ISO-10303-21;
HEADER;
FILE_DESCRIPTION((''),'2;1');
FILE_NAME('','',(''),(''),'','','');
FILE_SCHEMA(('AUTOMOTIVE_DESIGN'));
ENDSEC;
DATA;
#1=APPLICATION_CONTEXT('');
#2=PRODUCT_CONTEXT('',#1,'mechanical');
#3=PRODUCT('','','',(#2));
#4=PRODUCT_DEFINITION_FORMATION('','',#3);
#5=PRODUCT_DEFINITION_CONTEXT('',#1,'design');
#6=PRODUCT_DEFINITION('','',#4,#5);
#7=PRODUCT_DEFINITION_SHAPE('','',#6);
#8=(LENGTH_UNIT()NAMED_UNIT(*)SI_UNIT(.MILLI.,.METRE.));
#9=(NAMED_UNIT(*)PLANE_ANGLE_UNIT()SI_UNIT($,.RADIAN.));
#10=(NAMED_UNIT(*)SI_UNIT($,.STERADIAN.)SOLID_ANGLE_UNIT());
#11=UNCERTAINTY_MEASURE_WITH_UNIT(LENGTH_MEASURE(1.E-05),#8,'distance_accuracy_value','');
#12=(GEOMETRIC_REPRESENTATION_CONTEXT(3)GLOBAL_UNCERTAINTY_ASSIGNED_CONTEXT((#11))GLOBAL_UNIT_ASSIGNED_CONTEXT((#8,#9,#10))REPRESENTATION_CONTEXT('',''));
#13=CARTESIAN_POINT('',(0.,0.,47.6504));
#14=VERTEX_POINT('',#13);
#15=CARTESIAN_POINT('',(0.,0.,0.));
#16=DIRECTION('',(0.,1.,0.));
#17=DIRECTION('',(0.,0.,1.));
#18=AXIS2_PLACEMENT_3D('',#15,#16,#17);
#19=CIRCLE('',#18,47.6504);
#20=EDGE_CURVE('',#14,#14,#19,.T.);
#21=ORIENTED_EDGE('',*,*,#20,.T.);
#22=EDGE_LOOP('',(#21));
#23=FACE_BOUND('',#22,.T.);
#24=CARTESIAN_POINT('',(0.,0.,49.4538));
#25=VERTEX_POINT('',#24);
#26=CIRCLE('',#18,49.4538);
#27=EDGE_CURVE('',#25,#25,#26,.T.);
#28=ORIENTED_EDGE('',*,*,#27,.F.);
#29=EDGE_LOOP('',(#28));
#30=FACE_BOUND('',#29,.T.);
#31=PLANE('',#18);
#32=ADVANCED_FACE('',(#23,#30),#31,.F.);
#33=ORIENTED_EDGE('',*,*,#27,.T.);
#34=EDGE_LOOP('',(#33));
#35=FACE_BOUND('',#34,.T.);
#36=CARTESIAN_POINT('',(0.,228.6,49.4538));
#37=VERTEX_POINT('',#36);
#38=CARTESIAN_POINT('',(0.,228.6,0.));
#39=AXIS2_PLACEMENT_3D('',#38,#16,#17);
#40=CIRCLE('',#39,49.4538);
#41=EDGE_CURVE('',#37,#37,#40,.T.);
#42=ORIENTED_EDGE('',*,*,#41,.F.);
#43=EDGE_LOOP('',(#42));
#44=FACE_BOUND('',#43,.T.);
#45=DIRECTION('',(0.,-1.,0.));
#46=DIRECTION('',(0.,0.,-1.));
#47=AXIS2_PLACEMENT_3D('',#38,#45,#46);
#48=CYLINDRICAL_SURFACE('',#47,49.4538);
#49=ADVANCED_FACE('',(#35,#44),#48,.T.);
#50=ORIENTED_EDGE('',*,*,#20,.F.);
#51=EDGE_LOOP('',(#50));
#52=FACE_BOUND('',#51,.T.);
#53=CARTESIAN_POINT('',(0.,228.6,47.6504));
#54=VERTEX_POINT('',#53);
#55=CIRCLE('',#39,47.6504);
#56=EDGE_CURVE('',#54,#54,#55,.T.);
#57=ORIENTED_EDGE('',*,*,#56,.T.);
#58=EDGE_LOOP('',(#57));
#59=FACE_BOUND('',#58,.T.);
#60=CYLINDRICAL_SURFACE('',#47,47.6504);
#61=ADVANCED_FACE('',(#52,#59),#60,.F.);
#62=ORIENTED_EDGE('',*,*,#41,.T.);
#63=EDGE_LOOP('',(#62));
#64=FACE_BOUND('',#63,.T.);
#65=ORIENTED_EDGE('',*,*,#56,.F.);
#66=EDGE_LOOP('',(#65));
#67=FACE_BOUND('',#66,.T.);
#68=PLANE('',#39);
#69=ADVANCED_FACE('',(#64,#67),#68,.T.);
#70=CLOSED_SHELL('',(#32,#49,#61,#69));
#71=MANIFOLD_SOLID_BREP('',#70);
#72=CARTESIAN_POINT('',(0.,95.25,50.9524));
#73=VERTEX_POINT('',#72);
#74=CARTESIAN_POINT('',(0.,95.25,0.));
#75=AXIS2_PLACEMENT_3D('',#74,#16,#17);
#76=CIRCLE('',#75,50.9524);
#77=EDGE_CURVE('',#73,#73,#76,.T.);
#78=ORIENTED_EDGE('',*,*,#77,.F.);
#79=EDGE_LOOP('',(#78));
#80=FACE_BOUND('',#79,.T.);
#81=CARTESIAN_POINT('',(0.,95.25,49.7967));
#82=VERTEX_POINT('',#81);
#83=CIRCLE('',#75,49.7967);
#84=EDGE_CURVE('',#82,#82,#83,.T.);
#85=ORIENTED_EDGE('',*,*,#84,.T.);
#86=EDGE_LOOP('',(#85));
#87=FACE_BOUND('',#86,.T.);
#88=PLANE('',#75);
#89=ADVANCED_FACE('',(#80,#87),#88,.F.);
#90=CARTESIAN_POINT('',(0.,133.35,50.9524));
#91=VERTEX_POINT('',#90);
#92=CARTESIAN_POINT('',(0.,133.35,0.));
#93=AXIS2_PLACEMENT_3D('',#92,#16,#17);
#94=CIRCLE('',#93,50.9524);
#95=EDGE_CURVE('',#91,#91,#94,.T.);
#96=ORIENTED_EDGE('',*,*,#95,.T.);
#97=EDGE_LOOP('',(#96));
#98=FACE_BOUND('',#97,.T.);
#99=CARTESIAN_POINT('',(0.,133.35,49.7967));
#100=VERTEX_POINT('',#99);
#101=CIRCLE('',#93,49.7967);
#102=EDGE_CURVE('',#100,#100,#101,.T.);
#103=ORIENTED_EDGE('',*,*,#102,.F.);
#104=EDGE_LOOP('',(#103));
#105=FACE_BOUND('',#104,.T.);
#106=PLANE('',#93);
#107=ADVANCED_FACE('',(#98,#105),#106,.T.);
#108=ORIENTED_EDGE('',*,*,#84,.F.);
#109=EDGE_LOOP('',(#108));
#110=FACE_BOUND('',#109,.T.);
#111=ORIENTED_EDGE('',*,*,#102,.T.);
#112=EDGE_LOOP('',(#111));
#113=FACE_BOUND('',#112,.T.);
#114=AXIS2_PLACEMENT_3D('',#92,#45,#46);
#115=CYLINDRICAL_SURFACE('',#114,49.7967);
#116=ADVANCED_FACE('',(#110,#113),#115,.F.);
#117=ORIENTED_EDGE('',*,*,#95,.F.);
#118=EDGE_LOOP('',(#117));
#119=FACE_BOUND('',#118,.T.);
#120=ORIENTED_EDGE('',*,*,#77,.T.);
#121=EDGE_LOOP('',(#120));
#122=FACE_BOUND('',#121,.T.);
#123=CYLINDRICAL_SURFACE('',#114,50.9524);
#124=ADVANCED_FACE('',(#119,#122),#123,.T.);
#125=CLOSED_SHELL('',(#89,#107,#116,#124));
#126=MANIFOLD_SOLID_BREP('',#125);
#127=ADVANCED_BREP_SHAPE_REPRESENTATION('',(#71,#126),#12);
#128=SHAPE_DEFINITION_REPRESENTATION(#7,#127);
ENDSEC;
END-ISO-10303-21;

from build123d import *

# Parameters (mm, degrees)
SKETCH1_R           = 49.4538
SKETCH1_R_2         = 47.6504
BOSS_EXTRUDE1_DEPTH = 228.6
BOSS_EXTRUDE2_START = -133.35
SKETCH2_R           = 50.9524
SKETCH2_R_2         = 49.7967
BOSS_EXTRUDE2_DEPTH = 38.1


with BuildPart() as part:
    # Sketch1 → Boss-Extrude1 (new body)
    with BuildSketch(Plane(origin=(0, 0, 0), x_dir=(1, 0, 0), z_dir=(0, 1, 0))):
        Circle(SKETCH1_R)
        Circle(SKETCH1_R_2, mode=Mode.SUBTRACT)
    extrude(amount=BOSS_EXTRUDE1_DEPTH)


with BuildPart() as body_2:
    # Sketch2 → Boss-Extrude2 (new body)
    with BuildSketch(Plane(origin=(0, 228.6, 0), x_dir=(1, 0, 0), z_dir=(0, 1, 0)).offset(BOSS_EXTRUDE2_START)):
        Circle(SKETCH2_R)
        Circle(SKETCH2_R_2, mode=Mode.SUBTRACT)
    extrude(amount=BOSS_EXTRUDE2_DEPTH)


solid = Compound([part.part, body_2.part])
